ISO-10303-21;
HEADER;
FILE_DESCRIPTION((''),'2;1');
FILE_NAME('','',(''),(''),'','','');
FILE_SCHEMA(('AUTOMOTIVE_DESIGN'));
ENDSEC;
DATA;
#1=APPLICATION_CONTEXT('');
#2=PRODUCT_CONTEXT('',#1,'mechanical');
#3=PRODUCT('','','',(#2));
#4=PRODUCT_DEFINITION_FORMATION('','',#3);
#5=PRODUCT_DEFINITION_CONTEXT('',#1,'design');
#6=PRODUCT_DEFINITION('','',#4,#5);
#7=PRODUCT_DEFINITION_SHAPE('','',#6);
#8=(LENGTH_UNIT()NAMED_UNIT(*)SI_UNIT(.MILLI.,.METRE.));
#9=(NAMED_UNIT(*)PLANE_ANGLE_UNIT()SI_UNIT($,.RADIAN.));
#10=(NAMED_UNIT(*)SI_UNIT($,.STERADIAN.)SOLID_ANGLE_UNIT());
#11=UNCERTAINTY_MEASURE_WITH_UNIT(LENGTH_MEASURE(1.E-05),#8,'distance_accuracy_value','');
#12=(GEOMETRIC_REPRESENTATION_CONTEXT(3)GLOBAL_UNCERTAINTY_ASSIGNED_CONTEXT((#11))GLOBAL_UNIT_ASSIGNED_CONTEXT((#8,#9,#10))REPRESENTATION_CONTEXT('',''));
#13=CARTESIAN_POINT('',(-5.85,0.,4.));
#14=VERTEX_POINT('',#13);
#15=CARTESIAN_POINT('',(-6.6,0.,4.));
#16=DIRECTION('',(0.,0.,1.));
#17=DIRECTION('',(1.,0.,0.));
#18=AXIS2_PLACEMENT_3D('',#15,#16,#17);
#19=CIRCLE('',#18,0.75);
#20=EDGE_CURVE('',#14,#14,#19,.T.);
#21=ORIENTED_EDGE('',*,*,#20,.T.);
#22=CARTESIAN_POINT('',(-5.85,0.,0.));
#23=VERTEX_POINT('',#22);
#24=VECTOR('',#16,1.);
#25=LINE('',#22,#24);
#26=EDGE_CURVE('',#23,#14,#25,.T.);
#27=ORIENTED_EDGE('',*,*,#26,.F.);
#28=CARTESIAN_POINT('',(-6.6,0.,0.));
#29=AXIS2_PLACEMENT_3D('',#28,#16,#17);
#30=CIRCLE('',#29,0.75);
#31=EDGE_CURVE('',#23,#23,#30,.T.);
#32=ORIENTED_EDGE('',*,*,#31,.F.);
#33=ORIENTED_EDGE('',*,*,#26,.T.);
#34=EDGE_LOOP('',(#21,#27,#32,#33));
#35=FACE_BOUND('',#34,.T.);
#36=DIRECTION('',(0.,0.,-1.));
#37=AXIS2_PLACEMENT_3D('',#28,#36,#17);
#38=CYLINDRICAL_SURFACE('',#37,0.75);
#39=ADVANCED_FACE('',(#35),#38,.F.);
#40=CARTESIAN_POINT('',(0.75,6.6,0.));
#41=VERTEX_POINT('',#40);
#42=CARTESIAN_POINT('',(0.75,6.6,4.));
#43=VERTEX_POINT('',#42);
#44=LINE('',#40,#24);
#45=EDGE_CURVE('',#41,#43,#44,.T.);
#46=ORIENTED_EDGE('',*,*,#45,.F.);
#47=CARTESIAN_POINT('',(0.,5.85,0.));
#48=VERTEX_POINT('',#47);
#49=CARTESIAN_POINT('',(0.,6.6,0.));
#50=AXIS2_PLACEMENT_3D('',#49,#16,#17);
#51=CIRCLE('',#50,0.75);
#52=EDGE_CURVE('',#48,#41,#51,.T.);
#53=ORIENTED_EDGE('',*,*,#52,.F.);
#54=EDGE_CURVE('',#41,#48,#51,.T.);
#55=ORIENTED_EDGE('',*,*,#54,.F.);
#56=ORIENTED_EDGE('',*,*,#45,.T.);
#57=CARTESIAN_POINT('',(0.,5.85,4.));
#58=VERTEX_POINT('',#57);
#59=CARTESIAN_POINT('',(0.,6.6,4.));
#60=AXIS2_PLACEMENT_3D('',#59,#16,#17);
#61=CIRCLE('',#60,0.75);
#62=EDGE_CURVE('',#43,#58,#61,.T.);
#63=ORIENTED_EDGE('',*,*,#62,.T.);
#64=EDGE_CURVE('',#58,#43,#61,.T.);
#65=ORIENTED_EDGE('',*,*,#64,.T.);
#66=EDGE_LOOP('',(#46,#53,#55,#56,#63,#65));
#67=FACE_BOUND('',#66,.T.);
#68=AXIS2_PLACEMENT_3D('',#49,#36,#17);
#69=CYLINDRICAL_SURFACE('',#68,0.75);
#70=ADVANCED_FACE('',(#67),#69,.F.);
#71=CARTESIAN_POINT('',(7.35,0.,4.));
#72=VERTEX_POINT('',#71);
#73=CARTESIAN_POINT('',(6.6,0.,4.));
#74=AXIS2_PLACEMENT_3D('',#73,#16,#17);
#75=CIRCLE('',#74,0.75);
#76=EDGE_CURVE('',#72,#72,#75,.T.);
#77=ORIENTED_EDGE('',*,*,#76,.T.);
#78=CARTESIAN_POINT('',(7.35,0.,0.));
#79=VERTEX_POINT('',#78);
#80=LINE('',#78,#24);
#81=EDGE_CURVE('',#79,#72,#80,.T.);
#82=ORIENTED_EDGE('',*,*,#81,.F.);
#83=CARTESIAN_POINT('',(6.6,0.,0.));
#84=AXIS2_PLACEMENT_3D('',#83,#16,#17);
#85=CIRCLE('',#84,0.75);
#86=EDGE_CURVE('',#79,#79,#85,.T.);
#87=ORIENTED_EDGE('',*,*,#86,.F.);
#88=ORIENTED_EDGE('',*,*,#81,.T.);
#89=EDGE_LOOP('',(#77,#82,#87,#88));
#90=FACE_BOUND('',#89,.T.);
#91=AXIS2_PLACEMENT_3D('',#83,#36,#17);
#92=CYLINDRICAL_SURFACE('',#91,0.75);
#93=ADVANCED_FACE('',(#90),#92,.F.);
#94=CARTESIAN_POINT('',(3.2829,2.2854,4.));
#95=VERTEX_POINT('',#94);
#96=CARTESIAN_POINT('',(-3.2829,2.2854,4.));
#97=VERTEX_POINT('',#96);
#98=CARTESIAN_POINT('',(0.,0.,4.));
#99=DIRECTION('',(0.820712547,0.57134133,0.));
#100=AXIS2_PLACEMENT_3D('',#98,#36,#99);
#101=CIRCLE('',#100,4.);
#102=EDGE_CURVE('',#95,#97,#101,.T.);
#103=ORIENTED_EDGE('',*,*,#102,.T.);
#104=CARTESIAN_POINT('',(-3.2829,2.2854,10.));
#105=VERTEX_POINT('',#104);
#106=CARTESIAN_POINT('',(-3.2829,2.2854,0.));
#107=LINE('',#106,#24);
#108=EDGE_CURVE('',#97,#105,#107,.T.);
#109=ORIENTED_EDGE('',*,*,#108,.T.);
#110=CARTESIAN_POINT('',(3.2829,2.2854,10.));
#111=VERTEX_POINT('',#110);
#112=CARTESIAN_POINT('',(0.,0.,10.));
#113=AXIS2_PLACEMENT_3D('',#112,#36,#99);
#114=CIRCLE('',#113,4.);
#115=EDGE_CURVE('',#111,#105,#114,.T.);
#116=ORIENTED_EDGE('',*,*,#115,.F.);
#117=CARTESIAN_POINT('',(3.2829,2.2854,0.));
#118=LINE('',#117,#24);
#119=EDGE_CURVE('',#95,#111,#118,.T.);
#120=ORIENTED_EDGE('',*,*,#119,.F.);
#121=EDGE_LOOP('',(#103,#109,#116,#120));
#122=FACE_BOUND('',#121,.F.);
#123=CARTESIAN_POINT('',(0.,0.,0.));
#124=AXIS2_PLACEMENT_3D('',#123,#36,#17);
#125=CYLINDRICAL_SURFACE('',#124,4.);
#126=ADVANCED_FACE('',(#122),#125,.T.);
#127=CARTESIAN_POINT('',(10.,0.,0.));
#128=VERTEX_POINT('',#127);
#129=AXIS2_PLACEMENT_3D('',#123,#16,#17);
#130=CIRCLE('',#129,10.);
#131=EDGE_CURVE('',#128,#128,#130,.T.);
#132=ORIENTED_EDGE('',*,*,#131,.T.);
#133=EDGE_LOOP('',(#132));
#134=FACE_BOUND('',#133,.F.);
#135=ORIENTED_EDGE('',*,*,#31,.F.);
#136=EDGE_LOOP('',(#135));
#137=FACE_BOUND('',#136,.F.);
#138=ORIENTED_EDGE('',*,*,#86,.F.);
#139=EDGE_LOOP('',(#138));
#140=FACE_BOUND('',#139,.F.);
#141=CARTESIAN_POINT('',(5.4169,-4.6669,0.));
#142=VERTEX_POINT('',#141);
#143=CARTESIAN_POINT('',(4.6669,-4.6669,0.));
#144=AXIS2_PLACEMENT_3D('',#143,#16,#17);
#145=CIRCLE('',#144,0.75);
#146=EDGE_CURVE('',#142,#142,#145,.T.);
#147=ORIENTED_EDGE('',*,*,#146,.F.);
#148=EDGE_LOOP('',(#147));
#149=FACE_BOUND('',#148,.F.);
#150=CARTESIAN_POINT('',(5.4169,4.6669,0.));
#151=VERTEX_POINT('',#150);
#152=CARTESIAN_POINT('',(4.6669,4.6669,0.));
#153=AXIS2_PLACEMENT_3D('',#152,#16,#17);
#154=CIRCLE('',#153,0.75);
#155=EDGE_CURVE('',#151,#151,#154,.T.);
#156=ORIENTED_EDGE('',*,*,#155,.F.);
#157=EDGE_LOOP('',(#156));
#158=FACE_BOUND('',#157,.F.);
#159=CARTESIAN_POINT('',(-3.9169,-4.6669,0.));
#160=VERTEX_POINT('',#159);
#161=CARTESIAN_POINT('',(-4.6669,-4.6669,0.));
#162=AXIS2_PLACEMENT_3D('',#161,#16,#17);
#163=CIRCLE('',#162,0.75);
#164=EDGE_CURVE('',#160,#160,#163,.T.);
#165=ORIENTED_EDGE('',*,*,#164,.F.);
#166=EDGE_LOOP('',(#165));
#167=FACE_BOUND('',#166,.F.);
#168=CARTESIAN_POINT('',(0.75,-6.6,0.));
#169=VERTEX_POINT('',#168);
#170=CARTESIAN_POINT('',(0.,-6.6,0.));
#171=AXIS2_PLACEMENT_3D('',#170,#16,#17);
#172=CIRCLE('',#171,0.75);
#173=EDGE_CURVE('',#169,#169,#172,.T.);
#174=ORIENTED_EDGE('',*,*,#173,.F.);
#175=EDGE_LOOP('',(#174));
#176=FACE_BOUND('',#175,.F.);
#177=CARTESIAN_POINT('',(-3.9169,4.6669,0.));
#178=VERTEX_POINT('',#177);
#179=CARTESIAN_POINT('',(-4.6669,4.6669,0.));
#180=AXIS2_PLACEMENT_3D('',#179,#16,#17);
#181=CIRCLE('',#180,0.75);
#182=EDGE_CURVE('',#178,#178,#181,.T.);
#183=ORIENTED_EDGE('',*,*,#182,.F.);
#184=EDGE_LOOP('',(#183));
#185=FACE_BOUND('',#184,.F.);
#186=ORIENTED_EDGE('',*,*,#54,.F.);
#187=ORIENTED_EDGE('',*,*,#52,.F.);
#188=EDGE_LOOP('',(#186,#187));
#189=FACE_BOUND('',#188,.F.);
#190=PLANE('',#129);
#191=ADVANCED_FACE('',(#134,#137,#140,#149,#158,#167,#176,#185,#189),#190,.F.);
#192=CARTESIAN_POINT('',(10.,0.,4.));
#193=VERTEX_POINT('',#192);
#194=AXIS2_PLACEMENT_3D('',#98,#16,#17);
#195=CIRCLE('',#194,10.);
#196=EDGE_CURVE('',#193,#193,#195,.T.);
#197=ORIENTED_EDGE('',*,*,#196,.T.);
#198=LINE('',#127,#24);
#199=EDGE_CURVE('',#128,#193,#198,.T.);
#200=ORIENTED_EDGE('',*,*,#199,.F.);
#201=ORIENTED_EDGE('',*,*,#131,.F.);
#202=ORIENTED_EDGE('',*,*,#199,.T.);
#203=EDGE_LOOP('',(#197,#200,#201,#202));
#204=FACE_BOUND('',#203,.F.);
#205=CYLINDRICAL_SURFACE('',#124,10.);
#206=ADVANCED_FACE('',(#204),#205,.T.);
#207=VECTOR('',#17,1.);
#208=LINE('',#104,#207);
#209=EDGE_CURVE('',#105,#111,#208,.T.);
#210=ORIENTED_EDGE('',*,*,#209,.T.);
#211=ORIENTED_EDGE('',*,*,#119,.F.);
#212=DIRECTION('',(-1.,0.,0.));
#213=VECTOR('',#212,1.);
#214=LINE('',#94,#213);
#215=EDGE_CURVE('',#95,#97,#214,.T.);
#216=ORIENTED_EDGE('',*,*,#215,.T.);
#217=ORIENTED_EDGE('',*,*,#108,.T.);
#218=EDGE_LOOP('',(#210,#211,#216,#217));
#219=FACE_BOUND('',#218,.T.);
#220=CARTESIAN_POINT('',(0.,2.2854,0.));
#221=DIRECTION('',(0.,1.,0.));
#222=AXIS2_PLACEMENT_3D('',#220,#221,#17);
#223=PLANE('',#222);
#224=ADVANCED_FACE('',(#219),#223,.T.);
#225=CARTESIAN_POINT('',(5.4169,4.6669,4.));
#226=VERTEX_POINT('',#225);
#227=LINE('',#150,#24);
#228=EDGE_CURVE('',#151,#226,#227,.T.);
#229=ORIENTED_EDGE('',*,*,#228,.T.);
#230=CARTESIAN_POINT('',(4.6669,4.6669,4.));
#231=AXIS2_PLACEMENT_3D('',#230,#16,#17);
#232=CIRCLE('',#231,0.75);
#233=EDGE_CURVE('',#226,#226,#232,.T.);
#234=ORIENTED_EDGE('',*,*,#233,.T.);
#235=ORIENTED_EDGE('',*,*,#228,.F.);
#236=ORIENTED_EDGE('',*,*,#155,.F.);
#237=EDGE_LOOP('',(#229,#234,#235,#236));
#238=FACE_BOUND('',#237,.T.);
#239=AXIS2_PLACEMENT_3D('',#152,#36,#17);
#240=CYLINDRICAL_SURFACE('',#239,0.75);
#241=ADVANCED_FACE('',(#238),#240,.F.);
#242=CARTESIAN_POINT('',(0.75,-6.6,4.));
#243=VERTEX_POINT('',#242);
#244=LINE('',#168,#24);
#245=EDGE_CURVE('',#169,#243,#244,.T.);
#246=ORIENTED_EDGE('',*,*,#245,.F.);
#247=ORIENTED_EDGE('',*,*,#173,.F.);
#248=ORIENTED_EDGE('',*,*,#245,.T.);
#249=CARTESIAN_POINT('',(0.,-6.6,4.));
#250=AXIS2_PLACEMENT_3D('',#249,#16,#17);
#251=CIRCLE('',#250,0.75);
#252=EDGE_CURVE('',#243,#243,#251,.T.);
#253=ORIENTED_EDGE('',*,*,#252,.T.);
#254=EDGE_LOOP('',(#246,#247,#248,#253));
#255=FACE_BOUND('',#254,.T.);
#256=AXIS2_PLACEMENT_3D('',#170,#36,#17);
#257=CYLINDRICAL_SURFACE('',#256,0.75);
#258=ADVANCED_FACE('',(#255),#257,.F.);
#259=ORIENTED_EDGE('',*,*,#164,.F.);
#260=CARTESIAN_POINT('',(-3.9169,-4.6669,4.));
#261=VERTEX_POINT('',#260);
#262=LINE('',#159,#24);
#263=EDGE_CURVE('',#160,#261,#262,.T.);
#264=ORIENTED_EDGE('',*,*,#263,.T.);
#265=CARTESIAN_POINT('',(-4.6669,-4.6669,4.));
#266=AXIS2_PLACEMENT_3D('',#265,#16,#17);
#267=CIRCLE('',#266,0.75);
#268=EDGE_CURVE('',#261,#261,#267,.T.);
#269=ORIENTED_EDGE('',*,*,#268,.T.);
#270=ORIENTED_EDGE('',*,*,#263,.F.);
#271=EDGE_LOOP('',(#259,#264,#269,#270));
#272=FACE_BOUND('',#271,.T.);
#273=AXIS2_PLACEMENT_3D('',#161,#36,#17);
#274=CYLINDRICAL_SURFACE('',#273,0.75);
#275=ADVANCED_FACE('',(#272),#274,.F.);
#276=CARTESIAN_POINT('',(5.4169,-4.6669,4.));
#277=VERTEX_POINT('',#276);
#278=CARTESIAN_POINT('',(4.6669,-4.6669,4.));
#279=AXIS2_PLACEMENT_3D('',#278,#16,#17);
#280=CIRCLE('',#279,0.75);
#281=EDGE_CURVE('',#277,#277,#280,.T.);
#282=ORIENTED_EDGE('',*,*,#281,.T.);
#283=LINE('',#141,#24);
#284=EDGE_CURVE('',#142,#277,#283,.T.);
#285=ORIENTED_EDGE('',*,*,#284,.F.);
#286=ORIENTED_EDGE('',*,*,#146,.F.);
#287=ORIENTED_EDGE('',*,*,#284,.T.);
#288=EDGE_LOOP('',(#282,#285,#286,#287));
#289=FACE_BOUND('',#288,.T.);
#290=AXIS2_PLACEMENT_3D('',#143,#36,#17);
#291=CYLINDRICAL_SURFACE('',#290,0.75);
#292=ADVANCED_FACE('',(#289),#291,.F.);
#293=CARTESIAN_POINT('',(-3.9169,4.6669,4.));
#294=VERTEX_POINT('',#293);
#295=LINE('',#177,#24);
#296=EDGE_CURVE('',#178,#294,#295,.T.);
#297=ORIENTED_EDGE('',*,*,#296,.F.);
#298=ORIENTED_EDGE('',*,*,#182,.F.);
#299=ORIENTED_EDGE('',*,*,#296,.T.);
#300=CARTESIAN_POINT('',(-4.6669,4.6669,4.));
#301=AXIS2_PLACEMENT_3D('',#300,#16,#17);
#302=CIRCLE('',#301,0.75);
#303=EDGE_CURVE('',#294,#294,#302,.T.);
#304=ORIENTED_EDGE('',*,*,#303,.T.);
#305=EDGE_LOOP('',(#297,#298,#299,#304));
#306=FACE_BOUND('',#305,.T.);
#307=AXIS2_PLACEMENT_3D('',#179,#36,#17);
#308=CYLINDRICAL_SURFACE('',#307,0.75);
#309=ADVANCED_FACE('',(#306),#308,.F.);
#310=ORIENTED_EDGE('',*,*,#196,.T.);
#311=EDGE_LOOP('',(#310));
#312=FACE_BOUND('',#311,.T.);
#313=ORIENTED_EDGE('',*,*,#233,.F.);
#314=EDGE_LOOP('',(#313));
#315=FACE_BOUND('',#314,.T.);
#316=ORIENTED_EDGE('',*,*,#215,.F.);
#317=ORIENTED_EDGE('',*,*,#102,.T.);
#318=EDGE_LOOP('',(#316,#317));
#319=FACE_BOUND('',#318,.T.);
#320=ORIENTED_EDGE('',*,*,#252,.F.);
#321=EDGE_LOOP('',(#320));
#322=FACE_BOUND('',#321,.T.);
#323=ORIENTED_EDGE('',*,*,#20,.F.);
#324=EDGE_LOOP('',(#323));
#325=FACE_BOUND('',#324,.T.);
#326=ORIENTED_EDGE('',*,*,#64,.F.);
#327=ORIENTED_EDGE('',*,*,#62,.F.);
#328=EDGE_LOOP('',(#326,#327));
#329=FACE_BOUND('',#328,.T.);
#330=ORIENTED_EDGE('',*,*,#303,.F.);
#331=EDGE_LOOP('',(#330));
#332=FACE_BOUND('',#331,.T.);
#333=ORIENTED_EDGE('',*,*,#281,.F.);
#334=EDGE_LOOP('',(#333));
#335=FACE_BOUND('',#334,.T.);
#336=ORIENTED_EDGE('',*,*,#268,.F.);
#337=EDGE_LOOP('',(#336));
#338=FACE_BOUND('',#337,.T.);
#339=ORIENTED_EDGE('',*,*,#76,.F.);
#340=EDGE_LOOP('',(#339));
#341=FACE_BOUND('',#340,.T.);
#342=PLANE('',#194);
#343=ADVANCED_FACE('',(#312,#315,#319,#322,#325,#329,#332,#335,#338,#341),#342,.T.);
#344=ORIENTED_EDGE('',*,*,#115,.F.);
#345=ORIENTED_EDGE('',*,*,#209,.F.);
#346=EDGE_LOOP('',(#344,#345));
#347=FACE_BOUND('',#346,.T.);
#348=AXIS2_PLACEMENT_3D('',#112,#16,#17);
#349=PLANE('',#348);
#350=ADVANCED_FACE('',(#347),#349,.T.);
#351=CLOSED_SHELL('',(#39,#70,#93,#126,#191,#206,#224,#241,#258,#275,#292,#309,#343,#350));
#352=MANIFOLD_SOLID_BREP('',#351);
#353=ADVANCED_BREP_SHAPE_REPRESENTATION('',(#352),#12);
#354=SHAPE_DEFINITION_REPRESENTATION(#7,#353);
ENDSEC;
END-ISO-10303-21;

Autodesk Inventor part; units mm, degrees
ref_plane "YZ Plane" through (0, 0, 0) normal (1, 0, 0) x (0, 1, 0)
ref_plane "XZ Plane" through (0, 0, 0) normal (0, 1, 0) x (-1, 0, 0)
ref_plane "XY Plane" through (0, 0, 0) normal (0, 0, 1) x (1, 0, 0)
sketch "Sketch1" plane through (0, 0, 0) normal (0, 0, 1) x (1, 0, 0)
  circle A0 centre (0, 0) radius 10
  line L0 (0, 0) -> (0, 6.6)
  circle A1 centre (0, 6.6) radius 0.75
  circle A2 centre (0, 0) radius 4
  line L1 (-3.2829, 2.2854) -> (3.2829, 2.2854)
  circle A3 centre (-4.6669, 4.6669) radius 0.75
  circle A4 centre (-6.6, 0) radius 0.75
  circle A5 centre (-4.6669, -4.6669) radius 0.75
  circle A6 centre (0, -6.6) radius 0.75
  circle A7 centre (4.6669, -4.6669) radius 0.75
  circle A8 centre (6.6, 0) radius 0.75
  circle A9 centre (4.6669, 4.6669) radius 0.75
  dimension "d0" = 20
  dimension "d1" = 6.6
  dimension "d2" = 1.5
  dimension "d3" = 8
  dimension "d4" = 2.2854
  dimension "d11" = 360
extrude "Extrusion1" add sketch "Sketch1" along normal blind 4 contours A0 | L1 A2 L0 | L0 A2 L1
extrude "Extrusion2" add sketch "Sketch1" along normal blind 10 contours L1 A2
